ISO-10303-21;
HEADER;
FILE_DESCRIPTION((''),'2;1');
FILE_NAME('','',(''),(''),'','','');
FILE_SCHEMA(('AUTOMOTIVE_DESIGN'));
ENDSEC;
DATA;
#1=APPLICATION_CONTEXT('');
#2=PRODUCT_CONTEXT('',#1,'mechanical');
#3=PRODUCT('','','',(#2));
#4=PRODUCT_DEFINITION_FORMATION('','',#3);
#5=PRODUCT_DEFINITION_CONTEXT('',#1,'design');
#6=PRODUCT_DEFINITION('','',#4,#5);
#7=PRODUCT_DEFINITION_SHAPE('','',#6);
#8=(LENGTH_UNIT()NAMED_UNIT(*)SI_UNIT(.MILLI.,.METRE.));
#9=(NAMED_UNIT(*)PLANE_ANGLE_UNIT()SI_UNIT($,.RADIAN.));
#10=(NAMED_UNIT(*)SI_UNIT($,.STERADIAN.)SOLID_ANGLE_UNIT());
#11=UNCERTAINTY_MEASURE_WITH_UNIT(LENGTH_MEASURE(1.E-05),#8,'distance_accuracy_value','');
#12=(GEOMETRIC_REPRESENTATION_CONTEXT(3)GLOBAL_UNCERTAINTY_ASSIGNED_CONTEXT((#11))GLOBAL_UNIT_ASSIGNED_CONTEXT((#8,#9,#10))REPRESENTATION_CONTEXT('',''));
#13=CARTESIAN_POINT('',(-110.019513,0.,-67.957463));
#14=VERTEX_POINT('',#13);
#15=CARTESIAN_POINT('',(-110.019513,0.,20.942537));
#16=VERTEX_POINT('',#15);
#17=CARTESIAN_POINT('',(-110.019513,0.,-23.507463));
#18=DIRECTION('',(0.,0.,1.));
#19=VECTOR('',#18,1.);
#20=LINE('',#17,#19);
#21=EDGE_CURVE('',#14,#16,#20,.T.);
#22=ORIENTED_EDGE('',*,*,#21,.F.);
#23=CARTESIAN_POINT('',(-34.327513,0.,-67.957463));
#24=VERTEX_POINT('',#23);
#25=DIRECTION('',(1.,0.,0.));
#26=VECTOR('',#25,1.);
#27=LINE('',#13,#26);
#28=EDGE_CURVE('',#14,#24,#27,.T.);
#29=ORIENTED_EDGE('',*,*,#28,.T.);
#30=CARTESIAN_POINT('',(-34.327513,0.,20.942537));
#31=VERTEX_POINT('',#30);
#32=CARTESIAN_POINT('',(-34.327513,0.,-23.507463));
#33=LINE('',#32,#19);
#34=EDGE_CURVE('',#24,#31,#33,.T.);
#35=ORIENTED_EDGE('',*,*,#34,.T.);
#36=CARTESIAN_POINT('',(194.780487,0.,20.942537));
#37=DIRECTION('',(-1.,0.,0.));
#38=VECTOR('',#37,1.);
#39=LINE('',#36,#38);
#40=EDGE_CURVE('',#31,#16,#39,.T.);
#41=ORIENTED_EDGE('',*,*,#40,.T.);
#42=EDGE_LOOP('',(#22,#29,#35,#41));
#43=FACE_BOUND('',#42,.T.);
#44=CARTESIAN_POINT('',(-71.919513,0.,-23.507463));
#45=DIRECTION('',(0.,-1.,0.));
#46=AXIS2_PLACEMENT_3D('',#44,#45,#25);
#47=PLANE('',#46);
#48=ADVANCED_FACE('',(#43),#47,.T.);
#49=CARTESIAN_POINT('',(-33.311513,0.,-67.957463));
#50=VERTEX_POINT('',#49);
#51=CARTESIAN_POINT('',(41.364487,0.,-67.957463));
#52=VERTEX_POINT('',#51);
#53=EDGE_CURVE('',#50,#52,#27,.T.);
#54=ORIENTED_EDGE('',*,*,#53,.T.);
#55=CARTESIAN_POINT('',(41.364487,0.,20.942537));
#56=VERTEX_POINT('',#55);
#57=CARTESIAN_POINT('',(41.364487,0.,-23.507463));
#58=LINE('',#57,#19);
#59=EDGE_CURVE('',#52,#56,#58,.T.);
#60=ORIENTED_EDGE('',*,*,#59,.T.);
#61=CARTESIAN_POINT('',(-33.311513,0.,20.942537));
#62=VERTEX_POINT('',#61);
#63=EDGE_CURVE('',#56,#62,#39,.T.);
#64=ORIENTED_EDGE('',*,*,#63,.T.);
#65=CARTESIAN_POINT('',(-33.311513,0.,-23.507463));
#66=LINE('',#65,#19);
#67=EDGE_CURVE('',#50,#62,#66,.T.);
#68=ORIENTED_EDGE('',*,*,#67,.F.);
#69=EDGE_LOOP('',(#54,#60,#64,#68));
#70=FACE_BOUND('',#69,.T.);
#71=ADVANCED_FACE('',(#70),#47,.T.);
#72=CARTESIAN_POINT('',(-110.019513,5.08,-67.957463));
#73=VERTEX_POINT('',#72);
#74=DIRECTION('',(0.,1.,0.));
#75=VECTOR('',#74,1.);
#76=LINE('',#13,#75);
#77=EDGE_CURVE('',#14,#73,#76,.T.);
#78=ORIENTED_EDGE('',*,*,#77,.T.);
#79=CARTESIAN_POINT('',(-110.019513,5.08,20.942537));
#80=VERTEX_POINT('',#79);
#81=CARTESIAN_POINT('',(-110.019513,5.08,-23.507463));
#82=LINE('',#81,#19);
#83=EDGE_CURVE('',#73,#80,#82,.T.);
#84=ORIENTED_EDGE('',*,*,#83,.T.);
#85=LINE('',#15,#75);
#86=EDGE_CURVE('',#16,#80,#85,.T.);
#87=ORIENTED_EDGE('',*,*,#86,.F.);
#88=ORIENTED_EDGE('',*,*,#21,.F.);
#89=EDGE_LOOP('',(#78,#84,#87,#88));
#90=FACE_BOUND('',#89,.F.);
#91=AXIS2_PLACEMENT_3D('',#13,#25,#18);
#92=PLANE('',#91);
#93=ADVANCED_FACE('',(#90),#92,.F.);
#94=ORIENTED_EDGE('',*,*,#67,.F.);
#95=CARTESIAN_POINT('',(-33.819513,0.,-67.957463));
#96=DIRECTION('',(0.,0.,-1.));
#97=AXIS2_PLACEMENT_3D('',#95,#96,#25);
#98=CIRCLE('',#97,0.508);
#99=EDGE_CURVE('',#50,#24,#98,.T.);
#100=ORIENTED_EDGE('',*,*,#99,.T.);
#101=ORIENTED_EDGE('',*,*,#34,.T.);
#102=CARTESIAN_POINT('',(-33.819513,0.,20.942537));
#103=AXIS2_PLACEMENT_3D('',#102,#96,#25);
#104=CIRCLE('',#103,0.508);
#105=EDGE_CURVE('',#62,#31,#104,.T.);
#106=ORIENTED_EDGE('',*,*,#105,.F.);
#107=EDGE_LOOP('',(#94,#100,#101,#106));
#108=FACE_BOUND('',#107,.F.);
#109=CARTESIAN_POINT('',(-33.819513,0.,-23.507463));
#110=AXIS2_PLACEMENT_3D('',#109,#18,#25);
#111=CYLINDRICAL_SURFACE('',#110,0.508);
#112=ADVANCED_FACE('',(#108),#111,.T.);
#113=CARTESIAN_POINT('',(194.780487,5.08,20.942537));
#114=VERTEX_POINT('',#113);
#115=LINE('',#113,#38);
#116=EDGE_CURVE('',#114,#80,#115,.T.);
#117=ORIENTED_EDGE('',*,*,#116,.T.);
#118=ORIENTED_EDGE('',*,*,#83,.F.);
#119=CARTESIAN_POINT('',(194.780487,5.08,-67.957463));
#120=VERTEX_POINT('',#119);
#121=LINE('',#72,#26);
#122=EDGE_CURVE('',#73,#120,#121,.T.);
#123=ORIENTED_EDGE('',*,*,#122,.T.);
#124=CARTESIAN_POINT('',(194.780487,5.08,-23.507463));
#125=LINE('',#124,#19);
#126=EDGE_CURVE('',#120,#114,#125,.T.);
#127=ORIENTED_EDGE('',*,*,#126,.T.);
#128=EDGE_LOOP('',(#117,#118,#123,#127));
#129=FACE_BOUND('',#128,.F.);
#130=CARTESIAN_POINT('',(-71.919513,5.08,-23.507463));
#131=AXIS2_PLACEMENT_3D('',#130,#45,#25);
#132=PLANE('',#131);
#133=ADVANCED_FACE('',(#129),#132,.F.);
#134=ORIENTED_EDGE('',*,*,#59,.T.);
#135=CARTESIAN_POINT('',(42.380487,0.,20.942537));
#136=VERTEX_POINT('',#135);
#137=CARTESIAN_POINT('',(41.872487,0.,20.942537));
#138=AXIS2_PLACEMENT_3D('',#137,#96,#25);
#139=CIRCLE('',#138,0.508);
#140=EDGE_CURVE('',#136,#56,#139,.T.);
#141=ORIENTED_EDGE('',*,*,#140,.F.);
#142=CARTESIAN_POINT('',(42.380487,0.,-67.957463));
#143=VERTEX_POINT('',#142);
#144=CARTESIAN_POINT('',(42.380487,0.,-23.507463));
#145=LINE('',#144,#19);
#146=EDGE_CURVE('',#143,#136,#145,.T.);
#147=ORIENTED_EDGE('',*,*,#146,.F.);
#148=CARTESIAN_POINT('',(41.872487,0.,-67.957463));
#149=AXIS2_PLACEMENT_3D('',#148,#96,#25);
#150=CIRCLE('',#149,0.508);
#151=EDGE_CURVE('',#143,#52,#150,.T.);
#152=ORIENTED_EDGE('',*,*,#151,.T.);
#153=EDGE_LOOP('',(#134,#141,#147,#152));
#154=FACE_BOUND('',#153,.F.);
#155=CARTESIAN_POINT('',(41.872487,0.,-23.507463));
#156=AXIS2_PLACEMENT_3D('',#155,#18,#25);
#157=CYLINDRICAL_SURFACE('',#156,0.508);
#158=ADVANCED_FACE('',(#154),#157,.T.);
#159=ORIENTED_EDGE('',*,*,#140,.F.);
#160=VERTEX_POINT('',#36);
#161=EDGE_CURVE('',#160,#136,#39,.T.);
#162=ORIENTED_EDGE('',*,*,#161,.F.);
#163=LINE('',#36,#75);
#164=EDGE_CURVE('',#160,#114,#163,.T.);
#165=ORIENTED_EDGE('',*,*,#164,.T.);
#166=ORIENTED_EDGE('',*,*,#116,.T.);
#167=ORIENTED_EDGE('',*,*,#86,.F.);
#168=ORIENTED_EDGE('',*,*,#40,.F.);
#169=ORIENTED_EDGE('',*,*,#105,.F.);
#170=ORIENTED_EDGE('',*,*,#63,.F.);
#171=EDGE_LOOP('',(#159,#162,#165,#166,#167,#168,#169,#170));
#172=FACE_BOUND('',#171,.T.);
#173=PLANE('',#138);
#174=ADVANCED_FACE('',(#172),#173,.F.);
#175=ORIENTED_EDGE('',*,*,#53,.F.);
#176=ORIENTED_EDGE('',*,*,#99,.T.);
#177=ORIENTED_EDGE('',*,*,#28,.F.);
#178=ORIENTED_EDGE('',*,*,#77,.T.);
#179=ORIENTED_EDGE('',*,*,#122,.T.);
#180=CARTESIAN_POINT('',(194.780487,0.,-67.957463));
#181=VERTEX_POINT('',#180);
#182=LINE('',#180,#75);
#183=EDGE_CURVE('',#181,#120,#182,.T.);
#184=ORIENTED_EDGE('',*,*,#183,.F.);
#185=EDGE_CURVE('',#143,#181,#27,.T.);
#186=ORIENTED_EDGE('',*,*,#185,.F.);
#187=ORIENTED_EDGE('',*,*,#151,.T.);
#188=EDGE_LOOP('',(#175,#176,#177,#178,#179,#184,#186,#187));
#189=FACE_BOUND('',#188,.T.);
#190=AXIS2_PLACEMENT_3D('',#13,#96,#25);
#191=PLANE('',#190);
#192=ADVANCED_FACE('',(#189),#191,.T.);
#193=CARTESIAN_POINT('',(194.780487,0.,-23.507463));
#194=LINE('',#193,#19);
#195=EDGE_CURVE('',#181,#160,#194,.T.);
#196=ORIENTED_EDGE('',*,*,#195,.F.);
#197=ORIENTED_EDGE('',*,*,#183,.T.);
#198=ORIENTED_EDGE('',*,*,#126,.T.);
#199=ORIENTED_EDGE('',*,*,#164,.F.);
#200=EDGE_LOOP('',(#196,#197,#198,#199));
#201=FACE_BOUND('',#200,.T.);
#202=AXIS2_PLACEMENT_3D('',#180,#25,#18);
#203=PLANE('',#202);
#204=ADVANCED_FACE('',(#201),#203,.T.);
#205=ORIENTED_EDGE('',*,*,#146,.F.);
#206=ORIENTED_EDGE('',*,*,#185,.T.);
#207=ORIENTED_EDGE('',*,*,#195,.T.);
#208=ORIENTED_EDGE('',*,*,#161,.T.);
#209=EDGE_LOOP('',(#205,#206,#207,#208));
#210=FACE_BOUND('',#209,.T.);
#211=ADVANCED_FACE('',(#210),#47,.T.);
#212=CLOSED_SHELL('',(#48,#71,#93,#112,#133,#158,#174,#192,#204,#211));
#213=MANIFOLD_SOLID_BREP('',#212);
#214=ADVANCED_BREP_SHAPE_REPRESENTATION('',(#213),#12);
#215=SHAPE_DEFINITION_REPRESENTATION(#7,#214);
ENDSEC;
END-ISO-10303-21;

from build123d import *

# Parameters (mm, degrees)
F0_W     = 76.2
F0_H     = 88.9
F0_W_2   = 0.508
F0_W_3   = 75.184
F0_W_4   = 152.4
F1_DEPTH = 5.08


with BuildPart() as f1:
    # F0 (on Front) → F1 (new body)
    with BuildSketch(Plane.XZ):
        with Locations((-71.919513, -23.507463)):
            Rectangle(F0_W, F0_H)
        with Locations((-33.565513, -23.507463)):
            Rectangle(F0_W_2, F0_H)
        with Locations((4.280487, -23.507463)):
            Rectangle(F0_W_3, F0_H)
        with Locations((42.126487, -23.507463)):
            Rectangle(F0_W_2, F0_H)
        with Locations((118.580487, -23.507463)):
            Rectangle(F0_W_4, F0_H)
    extrude(amount=-F1_DEPTH)

    # F0 (on Front) → F2 (revolve)
    with BuildSketch(Plane.XZ):
        with Locations((-33.565513, -23.507463)):
            Rectangle(F0_W_2, F0_H)
    revolve(axis=Axis((-33.819513, 0, -23.507463), (0, 0, -1)))

    # F0 (on Front) → F3 (revolve)
    with BuildSketch(Plane.XZ):
        with Locations((42.126487, -23.507463)):
            Rectangle(F0_W_2, F0_H)
    revolve(axis=Axis((41.872487, 0, -23.507463), (0, 0, -1)))


solid = f1.part
